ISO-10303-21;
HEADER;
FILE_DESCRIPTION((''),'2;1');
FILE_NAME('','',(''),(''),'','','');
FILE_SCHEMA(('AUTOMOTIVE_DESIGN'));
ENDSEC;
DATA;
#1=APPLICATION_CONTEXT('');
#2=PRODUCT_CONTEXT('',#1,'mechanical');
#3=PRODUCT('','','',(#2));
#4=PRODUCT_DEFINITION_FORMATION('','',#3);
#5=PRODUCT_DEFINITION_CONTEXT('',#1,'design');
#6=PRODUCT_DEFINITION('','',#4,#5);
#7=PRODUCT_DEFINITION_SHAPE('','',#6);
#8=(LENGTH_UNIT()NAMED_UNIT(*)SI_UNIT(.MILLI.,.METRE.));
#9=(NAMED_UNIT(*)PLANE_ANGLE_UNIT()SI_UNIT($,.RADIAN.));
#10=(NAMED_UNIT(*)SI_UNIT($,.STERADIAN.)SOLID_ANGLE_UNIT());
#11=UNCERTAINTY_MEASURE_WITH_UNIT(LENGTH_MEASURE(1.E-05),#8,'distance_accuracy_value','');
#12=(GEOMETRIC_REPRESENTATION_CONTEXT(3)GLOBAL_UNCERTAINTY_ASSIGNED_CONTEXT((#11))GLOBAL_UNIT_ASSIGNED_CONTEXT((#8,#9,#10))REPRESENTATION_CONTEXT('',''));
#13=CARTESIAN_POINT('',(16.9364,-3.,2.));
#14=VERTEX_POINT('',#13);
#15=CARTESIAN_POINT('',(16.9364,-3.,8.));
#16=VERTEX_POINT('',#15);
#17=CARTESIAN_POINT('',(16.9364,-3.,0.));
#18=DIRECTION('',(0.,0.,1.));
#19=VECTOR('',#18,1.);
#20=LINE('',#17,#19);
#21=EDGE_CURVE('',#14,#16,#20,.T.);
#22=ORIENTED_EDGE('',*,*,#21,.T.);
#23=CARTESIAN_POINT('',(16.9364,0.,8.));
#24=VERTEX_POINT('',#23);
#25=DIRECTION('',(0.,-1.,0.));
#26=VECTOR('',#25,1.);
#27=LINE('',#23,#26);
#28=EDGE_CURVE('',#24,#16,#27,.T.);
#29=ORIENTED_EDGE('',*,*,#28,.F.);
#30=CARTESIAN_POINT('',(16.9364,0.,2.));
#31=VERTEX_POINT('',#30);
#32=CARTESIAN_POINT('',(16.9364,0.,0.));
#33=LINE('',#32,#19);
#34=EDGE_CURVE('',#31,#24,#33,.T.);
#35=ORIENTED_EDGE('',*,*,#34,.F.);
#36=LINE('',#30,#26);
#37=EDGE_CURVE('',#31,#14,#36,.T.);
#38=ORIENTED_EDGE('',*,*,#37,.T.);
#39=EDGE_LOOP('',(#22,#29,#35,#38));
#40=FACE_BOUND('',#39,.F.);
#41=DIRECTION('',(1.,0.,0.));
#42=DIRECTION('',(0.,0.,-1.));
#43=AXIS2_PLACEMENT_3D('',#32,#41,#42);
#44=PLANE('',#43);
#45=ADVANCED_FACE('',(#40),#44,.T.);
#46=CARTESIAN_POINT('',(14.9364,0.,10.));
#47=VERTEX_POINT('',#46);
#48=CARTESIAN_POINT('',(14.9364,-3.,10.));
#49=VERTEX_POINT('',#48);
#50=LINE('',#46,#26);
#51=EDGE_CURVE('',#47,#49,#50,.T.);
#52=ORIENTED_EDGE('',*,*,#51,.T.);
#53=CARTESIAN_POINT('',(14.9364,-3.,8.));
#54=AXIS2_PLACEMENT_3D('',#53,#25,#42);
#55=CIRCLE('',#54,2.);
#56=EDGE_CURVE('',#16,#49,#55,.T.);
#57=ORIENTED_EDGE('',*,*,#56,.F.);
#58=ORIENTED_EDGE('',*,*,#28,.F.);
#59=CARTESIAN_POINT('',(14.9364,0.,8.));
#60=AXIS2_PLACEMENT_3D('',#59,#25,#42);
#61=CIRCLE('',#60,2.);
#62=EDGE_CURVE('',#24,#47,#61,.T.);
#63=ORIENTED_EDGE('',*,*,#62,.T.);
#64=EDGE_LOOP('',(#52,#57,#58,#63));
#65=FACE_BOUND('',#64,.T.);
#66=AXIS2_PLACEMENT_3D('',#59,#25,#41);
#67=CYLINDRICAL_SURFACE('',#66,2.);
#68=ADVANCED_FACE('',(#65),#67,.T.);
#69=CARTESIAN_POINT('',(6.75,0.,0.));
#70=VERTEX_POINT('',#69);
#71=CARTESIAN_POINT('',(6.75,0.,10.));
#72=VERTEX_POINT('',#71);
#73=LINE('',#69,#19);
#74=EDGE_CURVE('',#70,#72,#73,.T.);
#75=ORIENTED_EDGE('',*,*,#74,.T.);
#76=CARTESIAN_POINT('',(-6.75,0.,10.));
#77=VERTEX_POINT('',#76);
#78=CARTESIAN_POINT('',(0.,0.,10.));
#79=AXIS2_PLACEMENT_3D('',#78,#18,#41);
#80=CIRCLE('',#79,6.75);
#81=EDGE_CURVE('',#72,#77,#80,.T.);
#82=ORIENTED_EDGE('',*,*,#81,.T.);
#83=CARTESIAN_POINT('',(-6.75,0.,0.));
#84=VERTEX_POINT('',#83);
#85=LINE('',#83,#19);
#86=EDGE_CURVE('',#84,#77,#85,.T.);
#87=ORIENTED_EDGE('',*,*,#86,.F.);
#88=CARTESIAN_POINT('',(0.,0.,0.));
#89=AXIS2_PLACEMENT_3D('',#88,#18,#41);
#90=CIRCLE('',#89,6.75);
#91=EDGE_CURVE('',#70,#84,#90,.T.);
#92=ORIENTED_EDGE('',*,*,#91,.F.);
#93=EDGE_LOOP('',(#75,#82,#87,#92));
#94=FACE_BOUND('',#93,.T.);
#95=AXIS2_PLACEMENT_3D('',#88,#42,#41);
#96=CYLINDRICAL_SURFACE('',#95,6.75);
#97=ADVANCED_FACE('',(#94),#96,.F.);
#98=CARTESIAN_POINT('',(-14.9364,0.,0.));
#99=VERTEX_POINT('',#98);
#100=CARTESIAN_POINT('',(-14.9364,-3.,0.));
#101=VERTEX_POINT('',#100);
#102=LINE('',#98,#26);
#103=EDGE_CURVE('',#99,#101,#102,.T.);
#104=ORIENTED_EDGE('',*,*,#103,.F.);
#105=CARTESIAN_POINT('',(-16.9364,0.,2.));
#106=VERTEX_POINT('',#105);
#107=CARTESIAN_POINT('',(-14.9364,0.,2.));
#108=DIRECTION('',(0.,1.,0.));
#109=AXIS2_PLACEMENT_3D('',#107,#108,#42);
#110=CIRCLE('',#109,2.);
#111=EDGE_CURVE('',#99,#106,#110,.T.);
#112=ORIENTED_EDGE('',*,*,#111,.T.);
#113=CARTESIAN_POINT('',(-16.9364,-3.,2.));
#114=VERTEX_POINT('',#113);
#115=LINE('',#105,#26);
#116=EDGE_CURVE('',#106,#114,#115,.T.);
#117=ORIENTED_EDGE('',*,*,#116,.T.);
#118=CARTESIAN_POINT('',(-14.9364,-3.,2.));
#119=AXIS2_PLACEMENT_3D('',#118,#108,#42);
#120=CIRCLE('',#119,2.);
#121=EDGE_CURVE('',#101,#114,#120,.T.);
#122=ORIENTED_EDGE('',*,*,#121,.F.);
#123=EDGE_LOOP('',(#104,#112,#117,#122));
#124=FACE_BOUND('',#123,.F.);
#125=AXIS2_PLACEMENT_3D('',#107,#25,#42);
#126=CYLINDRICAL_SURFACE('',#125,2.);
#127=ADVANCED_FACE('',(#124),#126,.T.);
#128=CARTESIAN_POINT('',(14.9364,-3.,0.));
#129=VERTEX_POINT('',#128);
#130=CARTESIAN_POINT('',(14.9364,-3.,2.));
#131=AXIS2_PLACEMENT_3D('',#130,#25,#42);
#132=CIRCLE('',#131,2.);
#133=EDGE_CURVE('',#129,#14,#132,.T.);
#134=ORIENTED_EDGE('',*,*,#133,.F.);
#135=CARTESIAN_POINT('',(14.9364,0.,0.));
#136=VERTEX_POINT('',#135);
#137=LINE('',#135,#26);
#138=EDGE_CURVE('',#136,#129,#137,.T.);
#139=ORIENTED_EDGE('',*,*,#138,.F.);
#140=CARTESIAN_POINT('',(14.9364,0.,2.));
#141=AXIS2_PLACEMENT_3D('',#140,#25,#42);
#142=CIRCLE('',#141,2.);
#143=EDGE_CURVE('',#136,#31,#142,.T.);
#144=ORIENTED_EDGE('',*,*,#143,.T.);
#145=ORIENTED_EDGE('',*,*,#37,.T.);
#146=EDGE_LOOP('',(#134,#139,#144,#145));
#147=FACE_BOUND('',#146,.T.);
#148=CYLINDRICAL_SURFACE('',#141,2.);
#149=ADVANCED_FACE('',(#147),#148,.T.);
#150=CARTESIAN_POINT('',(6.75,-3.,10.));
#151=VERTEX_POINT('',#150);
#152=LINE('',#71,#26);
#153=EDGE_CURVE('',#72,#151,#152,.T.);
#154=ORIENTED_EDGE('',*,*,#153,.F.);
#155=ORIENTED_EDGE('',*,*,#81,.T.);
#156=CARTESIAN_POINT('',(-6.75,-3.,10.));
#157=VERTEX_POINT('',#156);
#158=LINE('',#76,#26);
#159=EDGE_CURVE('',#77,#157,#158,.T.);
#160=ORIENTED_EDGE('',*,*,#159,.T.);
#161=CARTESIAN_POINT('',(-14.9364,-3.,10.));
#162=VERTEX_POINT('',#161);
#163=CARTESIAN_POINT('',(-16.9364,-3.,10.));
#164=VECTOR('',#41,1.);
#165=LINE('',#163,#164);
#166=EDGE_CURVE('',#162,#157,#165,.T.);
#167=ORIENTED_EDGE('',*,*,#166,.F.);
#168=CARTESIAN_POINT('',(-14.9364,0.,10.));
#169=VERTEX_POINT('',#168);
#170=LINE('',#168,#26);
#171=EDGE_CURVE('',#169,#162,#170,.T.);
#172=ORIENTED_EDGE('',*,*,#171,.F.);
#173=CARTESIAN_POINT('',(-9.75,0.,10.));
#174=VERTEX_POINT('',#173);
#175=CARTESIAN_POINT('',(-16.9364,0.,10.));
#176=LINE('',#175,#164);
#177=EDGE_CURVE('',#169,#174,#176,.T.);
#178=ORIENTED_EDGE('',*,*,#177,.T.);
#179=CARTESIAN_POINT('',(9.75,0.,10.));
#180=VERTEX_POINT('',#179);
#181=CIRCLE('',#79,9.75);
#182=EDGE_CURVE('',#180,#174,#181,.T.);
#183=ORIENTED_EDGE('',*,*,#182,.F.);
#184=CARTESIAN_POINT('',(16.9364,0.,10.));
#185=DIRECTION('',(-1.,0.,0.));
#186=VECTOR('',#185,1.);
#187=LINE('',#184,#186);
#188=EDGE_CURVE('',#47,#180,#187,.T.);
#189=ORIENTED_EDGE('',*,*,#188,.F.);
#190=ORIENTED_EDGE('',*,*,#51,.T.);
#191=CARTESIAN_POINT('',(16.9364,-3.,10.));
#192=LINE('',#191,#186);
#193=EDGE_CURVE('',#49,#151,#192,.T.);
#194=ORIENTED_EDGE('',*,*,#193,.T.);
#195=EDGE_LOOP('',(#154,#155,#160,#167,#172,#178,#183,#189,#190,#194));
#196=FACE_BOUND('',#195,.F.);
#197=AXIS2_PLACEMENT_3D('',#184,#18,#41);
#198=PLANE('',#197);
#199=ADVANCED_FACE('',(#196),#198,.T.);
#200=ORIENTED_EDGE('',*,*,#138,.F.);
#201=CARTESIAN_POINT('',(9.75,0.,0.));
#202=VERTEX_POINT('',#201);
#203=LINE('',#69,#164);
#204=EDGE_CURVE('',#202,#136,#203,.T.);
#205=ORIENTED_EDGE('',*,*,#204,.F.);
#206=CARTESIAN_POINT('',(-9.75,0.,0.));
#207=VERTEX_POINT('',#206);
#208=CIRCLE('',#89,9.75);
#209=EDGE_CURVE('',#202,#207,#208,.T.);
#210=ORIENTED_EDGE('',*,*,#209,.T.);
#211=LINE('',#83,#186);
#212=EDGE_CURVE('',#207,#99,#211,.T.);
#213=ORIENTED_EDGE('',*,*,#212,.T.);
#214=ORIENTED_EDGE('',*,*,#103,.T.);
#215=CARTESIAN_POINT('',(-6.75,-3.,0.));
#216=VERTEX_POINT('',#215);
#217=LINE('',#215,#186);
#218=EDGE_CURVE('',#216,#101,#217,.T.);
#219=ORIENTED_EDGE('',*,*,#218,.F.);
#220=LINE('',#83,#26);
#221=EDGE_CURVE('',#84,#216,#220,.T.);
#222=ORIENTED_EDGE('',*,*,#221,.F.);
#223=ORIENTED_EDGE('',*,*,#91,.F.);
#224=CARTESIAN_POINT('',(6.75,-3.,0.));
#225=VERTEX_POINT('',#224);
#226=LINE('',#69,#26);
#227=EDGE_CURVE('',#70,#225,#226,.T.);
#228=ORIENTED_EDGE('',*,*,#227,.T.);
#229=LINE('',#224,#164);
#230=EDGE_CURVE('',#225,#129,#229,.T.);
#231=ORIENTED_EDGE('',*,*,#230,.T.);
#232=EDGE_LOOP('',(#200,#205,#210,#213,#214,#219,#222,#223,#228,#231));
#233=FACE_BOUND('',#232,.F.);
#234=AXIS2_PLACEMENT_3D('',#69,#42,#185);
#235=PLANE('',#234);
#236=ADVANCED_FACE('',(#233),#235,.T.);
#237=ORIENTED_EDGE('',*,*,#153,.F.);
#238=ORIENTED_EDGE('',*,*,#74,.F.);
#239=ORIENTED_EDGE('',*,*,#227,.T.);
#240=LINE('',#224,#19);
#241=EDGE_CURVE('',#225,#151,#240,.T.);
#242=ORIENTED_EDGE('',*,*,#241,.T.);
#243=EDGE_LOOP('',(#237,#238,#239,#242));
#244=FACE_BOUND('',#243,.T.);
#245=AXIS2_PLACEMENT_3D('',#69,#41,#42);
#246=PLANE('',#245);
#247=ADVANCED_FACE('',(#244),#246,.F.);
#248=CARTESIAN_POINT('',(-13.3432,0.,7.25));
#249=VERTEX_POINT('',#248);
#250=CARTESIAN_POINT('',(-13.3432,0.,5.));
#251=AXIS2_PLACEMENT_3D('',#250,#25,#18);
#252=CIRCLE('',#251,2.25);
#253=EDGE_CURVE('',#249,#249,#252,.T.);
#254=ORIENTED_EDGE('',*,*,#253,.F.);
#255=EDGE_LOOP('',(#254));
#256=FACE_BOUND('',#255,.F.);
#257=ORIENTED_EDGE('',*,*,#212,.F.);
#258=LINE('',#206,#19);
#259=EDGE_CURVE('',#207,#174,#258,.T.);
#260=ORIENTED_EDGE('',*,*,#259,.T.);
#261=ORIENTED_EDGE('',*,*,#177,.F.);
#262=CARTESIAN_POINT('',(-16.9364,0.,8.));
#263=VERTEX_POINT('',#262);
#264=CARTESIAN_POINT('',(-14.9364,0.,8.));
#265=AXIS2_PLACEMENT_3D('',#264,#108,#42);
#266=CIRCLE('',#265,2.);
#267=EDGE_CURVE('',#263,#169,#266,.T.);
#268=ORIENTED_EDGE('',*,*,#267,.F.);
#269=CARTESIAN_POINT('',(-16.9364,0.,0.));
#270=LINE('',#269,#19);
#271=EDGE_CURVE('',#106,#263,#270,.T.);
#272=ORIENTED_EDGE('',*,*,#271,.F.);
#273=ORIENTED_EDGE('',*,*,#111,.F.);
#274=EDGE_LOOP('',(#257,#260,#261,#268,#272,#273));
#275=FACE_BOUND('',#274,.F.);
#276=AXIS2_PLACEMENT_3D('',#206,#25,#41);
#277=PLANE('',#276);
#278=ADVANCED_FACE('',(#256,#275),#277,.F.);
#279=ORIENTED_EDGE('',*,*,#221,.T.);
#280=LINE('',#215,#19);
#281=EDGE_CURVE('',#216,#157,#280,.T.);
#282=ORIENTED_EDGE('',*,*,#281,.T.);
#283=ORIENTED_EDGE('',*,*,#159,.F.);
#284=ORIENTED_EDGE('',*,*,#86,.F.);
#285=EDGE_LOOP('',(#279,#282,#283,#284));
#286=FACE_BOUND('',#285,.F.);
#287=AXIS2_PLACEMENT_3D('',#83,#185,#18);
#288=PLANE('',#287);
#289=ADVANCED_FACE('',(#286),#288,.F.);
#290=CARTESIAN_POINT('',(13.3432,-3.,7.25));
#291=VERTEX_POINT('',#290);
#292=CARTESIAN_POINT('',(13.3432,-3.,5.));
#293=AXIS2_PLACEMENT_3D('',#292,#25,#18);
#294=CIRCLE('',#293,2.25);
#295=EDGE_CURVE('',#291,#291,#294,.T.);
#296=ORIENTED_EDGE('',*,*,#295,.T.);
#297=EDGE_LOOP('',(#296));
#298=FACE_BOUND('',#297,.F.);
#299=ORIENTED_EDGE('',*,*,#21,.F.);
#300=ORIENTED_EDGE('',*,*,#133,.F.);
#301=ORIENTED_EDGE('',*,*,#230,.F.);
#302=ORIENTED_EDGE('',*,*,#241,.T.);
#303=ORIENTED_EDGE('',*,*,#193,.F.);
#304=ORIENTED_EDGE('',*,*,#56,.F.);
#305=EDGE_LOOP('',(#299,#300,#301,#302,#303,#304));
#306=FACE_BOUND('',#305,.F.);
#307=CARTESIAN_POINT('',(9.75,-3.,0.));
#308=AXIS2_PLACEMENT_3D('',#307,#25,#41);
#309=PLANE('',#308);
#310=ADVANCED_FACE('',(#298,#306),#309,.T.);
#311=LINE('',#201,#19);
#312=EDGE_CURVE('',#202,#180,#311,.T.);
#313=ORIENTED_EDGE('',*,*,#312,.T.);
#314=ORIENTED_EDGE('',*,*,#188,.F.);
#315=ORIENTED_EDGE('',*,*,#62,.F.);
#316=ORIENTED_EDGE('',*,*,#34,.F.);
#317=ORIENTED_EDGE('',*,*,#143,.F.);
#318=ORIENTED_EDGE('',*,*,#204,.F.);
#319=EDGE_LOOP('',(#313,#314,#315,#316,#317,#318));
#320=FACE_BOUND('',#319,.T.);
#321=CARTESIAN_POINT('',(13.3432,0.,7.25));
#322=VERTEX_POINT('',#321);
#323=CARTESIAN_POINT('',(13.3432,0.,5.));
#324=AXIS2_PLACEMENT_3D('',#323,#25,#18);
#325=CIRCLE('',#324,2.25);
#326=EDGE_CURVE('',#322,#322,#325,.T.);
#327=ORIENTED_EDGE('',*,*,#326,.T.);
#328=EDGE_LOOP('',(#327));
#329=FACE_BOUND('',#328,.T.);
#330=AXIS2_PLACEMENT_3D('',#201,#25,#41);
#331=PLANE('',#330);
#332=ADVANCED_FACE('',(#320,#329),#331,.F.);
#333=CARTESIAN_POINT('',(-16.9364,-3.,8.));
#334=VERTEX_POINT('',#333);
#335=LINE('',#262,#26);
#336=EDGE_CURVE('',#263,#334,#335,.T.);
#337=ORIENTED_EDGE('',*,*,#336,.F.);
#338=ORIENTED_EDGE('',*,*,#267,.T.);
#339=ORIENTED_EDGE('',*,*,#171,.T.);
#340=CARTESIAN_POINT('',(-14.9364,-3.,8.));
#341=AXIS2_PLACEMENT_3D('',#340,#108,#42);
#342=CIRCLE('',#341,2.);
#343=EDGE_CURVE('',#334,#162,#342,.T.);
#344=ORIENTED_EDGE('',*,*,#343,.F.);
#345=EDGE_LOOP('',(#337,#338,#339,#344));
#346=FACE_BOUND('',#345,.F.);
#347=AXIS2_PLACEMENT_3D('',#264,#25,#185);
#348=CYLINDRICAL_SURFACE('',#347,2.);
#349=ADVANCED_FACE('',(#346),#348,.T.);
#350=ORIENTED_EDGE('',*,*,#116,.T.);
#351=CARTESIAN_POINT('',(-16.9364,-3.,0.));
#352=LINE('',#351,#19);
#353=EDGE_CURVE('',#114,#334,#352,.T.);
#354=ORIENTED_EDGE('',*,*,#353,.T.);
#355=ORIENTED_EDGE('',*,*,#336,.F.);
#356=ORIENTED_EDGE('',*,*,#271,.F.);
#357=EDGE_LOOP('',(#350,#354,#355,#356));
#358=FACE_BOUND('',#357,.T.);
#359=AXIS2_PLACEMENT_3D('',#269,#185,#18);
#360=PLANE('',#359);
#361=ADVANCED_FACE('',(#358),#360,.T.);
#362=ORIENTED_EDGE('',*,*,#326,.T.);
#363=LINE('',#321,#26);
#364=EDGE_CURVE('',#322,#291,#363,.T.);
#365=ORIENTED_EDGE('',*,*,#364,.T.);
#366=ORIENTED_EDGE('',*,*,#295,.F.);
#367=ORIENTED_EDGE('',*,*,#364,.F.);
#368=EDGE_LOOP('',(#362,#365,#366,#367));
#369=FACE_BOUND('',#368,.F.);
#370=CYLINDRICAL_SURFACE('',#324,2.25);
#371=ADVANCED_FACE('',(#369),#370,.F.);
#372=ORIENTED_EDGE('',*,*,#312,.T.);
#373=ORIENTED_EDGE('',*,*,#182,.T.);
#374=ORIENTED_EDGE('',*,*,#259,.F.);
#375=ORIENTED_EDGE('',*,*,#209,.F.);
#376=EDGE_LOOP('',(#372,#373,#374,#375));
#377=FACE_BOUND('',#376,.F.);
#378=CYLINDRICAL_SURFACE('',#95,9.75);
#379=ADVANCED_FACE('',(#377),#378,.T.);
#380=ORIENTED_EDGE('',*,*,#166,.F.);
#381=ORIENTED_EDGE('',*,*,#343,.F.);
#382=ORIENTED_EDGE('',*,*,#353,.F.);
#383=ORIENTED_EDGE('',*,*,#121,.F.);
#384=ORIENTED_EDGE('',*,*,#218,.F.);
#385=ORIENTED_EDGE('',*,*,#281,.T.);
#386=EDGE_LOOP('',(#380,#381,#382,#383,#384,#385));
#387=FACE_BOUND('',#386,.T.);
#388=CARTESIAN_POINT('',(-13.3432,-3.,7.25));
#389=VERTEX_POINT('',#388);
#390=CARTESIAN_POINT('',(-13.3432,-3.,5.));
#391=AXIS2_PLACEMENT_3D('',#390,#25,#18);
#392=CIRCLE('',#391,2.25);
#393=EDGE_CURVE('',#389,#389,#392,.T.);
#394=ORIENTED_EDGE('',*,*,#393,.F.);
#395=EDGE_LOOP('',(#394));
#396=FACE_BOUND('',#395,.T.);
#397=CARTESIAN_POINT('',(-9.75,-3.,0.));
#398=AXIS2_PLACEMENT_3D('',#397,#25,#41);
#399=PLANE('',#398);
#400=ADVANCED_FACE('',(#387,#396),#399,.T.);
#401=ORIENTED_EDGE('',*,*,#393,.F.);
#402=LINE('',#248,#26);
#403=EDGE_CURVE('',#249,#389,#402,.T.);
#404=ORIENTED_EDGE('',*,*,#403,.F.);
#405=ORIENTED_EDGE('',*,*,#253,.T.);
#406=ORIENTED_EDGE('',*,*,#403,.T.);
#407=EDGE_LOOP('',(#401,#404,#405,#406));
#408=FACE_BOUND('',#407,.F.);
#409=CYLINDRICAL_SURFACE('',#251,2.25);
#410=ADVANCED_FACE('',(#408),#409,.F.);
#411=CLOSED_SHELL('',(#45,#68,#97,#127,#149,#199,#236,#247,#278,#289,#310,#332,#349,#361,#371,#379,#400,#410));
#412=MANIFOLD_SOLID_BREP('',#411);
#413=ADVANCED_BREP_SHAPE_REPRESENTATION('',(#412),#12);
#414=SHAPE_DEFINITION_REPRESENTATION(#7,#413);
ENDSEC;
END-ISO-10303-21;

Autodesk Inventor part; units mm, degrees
ref_plane "YZ Plane" through (0, 0, 0) normal (1, 0, 0) x (0, 1, 0)
ref_plane "XZ Plane" through (0, 0, 0) normal (0, 1, 0) x (-1, 0, 0)
ref_plane "XY Plane" through (0, 0, 0) normal (0, 0, 1) x (1, 0, 0)
sketch "Sketch1" plane through (0, 0, 0) normal (0, 0, 1) x (1, 0, 0)
  arc A0 (6.75, 0) -> (-6.75, 0) centre (0, 0) ccw
  arc A1 (9.75, 0) -> (-9.75, 0) centre (0, 0) ccw
  line L0 (-6.75, 0) -> (-9.75, 0)
  line L1 (6.75, 0) -> (9.75, 0)
  dimension "d0" = 13.5
  dimension "d1" = 3
extrude "Extrusion1" add sketch "Sketch1" along normal blind 10
sketch "Sketch2" plane through (-9.75, 0, 0) normal (0, -1, 0) x (1, 0, 0)
  line L0 (3, 0) -> (3, 10) projected
  line L1 (3, 0) -> (-7.1864, 0)
  line L2 (-7.1864, 0) -> (-7.1864, 10)
  line L3 (-7.1864, 10) -> (3, 10)
  line L4 (3, 10) -> (3, 0)
  point P0 (9.75, 0)
  dimension "d14" = 10
extrude "Extrusion2" add sketch "Sketch2" along normal blind 3
ref_plane "Work Plane1" through (0, -3, 10) normal (1, 0, 0) x (0, 0, -1)
mirror "Mirror1" about plane through (0, -3, 10) normal (1, 0, 0) of "Extrusion2"
sketch "Sketch3" plane through (-9.75, 0, 0) normal (0, 1, 0) x (1, 0, 0)
  line L0 (0, -10) -> (19.5, -10) projected
  line L1 (-7.1864, 0) -> (3, 0) projected
  line L2 (9.75, 0) -> (9.75, -10)
  line L3 (3, -10) -> (16.5, -10) projected
  point P0 (-3.5932, -5)
  point P1 (23.0932, -5)
  dimension "d15" = 5
hole "Hole1" at (-13.3432, 0, 5) at (13.3432, 0, 5) direction (0, -1, 0) diameter 4.5 end through all
fillet "Fillet1" radius 2 4 edges at (16.9364, -1.5, 10) (16.9364, -1.5, 0) (-16.9364, -1.5, 10) (-16.9364, -1.5, 0)
properties part number "Eletronica - Trava cabo"
